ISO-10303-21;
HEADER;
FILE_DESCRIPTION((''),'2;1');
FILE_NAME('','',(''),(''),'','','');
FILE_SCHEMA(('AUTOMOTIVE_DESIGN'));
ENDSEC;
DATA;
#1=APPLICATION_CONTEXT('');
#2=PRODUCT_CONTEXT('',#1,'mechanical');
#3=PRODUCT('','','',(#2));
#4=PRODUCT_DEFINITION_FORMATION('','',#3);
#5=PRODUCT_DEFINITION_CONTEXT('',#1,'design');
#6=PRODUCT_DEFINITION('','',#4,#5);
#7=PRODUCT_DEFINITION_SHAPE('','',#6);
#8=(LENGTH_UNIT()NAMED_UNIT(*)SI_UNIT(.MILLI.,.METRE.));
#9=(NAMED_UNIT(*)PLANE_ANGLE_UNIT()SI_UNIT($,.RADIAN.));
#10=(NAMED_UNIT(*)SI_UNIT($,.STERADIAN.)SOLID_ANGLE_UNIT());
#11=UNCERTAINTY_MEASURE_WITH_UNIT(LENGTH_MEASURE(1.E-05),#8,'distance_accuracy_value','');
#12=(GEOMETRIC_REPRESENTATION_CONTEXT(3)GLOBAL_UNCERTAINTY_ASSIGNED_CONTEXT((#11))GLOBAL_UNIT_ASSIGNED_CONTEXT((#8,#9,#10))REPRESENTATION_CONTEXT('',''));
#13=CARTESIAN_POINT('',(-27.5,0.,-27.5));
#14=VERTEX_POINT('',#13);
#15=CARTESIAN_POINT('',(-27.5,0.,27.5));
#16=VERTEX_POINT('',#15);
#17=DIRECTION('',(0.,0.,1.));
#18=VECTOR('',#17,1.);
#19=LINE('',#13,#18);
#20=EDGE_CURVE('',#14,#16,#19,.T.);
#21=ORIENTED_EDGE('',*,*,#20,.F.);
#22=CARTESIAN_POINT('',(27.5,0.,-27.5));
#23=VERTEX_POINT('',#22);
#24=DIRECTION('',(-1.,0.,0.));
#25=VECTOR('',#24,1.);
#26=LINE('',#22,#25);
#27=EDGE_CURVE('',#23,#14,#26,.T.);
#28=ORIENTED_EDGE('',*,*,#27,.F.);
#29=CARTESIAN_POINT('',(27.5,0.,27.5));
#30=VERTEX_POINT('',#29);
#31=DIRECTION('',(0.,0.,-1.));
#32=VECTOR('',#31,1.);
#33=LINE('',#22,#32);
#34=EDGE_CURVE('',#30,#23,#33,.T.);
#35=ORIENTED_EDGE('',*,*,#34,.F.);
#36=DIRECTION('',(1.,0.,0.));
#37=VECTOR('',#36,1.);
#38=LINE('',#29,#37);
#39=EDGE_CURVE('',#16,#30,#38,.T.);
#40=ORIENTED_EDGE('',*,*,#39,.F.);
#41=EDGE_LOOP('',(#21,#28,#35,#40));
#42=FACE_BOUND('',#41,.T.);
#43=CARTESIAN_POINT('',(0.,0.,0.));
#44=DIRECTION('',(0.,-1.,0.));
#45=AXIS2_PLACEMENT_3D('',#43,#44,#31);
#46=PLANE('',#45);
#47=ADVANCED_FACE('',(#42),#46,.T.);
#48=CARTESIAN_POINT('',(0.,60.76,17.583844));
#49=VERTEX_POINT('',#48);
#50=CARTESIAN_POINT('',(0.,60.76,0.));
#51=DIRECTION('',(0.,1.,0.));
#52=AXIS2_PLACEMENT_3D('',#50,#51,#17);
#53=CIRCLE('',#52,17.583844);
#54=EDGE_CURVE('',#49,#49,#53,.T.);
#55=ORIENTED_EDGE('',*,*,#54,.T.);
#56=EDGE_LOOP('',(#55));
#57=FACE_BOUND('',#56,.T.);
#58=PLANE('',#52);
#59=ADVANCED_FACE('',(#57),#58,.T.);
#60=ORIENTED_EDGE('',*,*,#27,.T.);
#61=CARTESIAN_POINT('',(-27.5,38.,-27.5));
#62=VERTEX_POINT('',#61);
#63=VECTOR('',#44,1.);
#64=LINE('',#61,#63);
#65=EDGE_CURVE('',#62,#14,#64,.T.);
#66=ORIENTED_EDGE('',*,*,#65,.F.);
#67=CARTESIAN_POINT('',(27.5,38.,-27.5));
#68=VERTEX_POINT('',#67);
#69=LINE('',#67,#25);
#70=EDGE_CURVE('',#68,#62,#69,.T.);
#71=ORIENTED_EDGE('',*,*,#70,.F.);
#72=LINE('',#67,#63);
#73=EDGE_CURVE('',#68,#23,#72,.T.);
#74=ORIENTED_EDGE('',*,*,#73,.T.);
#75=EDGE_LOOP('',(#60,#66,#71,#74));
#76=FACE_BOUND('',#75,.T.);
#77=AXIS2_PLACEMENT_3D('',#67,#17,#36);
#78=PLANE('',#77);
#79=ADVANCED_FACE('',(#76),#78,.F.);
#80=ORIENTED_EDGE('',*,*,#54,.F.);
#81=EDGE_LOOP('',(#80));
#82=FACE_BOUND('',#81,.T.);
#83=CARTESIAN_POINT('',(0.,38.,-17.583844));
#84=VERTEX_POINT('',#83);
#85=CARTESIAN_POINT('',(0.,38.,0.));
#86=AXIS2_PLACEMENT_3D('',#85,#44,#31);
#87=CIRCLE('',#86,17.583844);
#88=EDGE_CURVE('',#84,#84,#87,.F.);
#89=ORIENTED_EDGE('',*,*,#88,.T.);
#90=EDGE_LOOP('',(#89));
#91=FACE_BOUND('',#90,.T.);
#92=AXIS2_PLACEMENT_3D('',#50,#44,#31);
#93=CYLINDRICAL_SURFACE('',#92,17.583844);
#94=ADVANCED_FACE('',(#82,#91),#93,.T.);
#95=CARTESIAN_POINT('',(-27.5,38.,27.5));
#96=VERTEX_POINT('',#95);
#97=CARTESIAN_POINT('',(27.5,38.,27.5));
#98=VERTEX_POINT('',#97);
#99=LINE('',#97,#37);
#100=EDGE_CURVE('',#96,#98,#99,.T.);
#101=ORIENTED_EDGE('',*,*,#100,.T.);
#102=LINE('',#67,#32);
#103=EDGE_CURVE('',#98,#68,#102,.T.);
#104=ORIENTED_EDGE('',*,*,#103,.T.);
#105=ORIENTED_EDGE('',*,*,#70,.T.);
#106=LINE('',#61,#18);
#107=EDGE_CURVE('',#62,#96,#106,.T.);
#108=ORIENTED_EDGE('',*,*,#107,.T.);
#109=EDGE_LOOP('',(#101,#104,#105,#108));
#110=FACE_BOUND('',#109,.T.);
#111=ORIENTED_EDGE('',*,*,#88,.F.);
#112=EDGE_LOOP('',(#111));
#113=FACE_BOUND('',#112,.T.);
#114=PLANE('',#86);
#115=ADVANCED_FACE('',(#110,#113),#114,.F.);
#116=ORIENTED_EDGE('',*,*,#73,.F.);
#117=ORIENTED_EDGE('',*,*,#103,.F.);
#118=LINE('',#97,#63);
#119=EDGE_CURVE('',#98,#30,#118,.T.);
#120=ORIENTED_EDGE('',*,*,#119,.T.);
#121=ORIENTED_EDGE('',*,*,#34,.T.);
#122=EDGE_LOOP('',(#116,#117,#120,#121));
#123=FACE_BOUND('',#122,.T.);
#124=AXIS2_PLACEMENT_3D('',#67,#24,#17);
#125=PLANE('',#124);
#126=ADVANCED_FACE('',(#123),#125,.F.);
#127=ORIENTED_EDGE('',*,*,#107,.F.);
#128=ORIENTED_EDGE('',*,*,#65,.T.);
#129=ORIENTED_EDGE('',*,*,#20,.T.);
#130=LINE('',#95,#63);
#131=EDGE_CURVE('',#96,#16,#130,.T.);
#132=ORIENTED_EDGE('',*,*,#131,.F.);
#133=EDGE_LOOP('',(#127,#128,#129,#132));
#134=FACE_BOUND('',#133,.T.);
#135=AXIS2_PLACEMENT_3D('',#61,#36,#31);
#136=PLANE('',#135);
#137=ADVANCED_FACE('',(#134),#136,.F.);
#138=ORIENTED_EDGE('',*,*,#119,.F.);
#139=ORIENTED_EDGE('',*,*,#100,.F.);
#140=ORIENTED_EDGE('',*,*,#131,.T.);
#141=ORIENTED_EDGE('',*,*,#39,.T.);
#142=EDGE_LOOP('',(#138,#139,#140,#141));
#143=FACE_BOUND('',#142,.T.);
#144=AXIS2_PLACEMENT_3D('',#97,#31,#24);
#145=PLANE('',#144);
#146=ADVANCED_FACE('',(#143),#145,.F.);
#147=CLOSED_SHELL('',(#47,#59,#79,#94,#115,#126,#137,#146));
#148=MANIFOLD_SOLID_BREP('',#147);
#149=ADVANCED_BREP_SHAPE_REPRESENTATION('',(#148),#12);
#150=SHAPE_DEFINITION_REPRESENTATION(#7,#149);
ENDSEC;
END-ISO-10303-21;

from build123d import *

# Parameters (mm, degrees)
SKETCH1_W           = 55
SKETCH1_H           = 55
BOSS_EXTRUDE1_DEPTH = 38
SKETCH2_R           = 17.583843805
BOSS_EXTRUDE2_DEPTH = 22.76


with BuildPart() as part:
    # Sketch1 → Boss-Extrude1 (new body)
    with BuildSketch(Plane(origin=(0, 0, 0), x_dir=(1, 0, 0), z_dir=(0, 1, 0))):
        Rectangle(SKETCH1_W, SKETCH1_H)
    extrude(amount=BOSS_EXTRUDE1_DEPTH)

    # Sketch2 → Boss-Extrude2 (add)
    with BuildSketch(Plane(origin=(0, 38, 0), x_dir=(1, 0, 0), z_dir=(0, 1, 0))):
        with Locations(Location((0, 0, 0), (0, 0, 90))):
            Circle(SKETCH2_R)
    extrude(amount=BOSS_EXTRUDE2_DEPTH)


solid = part.part
